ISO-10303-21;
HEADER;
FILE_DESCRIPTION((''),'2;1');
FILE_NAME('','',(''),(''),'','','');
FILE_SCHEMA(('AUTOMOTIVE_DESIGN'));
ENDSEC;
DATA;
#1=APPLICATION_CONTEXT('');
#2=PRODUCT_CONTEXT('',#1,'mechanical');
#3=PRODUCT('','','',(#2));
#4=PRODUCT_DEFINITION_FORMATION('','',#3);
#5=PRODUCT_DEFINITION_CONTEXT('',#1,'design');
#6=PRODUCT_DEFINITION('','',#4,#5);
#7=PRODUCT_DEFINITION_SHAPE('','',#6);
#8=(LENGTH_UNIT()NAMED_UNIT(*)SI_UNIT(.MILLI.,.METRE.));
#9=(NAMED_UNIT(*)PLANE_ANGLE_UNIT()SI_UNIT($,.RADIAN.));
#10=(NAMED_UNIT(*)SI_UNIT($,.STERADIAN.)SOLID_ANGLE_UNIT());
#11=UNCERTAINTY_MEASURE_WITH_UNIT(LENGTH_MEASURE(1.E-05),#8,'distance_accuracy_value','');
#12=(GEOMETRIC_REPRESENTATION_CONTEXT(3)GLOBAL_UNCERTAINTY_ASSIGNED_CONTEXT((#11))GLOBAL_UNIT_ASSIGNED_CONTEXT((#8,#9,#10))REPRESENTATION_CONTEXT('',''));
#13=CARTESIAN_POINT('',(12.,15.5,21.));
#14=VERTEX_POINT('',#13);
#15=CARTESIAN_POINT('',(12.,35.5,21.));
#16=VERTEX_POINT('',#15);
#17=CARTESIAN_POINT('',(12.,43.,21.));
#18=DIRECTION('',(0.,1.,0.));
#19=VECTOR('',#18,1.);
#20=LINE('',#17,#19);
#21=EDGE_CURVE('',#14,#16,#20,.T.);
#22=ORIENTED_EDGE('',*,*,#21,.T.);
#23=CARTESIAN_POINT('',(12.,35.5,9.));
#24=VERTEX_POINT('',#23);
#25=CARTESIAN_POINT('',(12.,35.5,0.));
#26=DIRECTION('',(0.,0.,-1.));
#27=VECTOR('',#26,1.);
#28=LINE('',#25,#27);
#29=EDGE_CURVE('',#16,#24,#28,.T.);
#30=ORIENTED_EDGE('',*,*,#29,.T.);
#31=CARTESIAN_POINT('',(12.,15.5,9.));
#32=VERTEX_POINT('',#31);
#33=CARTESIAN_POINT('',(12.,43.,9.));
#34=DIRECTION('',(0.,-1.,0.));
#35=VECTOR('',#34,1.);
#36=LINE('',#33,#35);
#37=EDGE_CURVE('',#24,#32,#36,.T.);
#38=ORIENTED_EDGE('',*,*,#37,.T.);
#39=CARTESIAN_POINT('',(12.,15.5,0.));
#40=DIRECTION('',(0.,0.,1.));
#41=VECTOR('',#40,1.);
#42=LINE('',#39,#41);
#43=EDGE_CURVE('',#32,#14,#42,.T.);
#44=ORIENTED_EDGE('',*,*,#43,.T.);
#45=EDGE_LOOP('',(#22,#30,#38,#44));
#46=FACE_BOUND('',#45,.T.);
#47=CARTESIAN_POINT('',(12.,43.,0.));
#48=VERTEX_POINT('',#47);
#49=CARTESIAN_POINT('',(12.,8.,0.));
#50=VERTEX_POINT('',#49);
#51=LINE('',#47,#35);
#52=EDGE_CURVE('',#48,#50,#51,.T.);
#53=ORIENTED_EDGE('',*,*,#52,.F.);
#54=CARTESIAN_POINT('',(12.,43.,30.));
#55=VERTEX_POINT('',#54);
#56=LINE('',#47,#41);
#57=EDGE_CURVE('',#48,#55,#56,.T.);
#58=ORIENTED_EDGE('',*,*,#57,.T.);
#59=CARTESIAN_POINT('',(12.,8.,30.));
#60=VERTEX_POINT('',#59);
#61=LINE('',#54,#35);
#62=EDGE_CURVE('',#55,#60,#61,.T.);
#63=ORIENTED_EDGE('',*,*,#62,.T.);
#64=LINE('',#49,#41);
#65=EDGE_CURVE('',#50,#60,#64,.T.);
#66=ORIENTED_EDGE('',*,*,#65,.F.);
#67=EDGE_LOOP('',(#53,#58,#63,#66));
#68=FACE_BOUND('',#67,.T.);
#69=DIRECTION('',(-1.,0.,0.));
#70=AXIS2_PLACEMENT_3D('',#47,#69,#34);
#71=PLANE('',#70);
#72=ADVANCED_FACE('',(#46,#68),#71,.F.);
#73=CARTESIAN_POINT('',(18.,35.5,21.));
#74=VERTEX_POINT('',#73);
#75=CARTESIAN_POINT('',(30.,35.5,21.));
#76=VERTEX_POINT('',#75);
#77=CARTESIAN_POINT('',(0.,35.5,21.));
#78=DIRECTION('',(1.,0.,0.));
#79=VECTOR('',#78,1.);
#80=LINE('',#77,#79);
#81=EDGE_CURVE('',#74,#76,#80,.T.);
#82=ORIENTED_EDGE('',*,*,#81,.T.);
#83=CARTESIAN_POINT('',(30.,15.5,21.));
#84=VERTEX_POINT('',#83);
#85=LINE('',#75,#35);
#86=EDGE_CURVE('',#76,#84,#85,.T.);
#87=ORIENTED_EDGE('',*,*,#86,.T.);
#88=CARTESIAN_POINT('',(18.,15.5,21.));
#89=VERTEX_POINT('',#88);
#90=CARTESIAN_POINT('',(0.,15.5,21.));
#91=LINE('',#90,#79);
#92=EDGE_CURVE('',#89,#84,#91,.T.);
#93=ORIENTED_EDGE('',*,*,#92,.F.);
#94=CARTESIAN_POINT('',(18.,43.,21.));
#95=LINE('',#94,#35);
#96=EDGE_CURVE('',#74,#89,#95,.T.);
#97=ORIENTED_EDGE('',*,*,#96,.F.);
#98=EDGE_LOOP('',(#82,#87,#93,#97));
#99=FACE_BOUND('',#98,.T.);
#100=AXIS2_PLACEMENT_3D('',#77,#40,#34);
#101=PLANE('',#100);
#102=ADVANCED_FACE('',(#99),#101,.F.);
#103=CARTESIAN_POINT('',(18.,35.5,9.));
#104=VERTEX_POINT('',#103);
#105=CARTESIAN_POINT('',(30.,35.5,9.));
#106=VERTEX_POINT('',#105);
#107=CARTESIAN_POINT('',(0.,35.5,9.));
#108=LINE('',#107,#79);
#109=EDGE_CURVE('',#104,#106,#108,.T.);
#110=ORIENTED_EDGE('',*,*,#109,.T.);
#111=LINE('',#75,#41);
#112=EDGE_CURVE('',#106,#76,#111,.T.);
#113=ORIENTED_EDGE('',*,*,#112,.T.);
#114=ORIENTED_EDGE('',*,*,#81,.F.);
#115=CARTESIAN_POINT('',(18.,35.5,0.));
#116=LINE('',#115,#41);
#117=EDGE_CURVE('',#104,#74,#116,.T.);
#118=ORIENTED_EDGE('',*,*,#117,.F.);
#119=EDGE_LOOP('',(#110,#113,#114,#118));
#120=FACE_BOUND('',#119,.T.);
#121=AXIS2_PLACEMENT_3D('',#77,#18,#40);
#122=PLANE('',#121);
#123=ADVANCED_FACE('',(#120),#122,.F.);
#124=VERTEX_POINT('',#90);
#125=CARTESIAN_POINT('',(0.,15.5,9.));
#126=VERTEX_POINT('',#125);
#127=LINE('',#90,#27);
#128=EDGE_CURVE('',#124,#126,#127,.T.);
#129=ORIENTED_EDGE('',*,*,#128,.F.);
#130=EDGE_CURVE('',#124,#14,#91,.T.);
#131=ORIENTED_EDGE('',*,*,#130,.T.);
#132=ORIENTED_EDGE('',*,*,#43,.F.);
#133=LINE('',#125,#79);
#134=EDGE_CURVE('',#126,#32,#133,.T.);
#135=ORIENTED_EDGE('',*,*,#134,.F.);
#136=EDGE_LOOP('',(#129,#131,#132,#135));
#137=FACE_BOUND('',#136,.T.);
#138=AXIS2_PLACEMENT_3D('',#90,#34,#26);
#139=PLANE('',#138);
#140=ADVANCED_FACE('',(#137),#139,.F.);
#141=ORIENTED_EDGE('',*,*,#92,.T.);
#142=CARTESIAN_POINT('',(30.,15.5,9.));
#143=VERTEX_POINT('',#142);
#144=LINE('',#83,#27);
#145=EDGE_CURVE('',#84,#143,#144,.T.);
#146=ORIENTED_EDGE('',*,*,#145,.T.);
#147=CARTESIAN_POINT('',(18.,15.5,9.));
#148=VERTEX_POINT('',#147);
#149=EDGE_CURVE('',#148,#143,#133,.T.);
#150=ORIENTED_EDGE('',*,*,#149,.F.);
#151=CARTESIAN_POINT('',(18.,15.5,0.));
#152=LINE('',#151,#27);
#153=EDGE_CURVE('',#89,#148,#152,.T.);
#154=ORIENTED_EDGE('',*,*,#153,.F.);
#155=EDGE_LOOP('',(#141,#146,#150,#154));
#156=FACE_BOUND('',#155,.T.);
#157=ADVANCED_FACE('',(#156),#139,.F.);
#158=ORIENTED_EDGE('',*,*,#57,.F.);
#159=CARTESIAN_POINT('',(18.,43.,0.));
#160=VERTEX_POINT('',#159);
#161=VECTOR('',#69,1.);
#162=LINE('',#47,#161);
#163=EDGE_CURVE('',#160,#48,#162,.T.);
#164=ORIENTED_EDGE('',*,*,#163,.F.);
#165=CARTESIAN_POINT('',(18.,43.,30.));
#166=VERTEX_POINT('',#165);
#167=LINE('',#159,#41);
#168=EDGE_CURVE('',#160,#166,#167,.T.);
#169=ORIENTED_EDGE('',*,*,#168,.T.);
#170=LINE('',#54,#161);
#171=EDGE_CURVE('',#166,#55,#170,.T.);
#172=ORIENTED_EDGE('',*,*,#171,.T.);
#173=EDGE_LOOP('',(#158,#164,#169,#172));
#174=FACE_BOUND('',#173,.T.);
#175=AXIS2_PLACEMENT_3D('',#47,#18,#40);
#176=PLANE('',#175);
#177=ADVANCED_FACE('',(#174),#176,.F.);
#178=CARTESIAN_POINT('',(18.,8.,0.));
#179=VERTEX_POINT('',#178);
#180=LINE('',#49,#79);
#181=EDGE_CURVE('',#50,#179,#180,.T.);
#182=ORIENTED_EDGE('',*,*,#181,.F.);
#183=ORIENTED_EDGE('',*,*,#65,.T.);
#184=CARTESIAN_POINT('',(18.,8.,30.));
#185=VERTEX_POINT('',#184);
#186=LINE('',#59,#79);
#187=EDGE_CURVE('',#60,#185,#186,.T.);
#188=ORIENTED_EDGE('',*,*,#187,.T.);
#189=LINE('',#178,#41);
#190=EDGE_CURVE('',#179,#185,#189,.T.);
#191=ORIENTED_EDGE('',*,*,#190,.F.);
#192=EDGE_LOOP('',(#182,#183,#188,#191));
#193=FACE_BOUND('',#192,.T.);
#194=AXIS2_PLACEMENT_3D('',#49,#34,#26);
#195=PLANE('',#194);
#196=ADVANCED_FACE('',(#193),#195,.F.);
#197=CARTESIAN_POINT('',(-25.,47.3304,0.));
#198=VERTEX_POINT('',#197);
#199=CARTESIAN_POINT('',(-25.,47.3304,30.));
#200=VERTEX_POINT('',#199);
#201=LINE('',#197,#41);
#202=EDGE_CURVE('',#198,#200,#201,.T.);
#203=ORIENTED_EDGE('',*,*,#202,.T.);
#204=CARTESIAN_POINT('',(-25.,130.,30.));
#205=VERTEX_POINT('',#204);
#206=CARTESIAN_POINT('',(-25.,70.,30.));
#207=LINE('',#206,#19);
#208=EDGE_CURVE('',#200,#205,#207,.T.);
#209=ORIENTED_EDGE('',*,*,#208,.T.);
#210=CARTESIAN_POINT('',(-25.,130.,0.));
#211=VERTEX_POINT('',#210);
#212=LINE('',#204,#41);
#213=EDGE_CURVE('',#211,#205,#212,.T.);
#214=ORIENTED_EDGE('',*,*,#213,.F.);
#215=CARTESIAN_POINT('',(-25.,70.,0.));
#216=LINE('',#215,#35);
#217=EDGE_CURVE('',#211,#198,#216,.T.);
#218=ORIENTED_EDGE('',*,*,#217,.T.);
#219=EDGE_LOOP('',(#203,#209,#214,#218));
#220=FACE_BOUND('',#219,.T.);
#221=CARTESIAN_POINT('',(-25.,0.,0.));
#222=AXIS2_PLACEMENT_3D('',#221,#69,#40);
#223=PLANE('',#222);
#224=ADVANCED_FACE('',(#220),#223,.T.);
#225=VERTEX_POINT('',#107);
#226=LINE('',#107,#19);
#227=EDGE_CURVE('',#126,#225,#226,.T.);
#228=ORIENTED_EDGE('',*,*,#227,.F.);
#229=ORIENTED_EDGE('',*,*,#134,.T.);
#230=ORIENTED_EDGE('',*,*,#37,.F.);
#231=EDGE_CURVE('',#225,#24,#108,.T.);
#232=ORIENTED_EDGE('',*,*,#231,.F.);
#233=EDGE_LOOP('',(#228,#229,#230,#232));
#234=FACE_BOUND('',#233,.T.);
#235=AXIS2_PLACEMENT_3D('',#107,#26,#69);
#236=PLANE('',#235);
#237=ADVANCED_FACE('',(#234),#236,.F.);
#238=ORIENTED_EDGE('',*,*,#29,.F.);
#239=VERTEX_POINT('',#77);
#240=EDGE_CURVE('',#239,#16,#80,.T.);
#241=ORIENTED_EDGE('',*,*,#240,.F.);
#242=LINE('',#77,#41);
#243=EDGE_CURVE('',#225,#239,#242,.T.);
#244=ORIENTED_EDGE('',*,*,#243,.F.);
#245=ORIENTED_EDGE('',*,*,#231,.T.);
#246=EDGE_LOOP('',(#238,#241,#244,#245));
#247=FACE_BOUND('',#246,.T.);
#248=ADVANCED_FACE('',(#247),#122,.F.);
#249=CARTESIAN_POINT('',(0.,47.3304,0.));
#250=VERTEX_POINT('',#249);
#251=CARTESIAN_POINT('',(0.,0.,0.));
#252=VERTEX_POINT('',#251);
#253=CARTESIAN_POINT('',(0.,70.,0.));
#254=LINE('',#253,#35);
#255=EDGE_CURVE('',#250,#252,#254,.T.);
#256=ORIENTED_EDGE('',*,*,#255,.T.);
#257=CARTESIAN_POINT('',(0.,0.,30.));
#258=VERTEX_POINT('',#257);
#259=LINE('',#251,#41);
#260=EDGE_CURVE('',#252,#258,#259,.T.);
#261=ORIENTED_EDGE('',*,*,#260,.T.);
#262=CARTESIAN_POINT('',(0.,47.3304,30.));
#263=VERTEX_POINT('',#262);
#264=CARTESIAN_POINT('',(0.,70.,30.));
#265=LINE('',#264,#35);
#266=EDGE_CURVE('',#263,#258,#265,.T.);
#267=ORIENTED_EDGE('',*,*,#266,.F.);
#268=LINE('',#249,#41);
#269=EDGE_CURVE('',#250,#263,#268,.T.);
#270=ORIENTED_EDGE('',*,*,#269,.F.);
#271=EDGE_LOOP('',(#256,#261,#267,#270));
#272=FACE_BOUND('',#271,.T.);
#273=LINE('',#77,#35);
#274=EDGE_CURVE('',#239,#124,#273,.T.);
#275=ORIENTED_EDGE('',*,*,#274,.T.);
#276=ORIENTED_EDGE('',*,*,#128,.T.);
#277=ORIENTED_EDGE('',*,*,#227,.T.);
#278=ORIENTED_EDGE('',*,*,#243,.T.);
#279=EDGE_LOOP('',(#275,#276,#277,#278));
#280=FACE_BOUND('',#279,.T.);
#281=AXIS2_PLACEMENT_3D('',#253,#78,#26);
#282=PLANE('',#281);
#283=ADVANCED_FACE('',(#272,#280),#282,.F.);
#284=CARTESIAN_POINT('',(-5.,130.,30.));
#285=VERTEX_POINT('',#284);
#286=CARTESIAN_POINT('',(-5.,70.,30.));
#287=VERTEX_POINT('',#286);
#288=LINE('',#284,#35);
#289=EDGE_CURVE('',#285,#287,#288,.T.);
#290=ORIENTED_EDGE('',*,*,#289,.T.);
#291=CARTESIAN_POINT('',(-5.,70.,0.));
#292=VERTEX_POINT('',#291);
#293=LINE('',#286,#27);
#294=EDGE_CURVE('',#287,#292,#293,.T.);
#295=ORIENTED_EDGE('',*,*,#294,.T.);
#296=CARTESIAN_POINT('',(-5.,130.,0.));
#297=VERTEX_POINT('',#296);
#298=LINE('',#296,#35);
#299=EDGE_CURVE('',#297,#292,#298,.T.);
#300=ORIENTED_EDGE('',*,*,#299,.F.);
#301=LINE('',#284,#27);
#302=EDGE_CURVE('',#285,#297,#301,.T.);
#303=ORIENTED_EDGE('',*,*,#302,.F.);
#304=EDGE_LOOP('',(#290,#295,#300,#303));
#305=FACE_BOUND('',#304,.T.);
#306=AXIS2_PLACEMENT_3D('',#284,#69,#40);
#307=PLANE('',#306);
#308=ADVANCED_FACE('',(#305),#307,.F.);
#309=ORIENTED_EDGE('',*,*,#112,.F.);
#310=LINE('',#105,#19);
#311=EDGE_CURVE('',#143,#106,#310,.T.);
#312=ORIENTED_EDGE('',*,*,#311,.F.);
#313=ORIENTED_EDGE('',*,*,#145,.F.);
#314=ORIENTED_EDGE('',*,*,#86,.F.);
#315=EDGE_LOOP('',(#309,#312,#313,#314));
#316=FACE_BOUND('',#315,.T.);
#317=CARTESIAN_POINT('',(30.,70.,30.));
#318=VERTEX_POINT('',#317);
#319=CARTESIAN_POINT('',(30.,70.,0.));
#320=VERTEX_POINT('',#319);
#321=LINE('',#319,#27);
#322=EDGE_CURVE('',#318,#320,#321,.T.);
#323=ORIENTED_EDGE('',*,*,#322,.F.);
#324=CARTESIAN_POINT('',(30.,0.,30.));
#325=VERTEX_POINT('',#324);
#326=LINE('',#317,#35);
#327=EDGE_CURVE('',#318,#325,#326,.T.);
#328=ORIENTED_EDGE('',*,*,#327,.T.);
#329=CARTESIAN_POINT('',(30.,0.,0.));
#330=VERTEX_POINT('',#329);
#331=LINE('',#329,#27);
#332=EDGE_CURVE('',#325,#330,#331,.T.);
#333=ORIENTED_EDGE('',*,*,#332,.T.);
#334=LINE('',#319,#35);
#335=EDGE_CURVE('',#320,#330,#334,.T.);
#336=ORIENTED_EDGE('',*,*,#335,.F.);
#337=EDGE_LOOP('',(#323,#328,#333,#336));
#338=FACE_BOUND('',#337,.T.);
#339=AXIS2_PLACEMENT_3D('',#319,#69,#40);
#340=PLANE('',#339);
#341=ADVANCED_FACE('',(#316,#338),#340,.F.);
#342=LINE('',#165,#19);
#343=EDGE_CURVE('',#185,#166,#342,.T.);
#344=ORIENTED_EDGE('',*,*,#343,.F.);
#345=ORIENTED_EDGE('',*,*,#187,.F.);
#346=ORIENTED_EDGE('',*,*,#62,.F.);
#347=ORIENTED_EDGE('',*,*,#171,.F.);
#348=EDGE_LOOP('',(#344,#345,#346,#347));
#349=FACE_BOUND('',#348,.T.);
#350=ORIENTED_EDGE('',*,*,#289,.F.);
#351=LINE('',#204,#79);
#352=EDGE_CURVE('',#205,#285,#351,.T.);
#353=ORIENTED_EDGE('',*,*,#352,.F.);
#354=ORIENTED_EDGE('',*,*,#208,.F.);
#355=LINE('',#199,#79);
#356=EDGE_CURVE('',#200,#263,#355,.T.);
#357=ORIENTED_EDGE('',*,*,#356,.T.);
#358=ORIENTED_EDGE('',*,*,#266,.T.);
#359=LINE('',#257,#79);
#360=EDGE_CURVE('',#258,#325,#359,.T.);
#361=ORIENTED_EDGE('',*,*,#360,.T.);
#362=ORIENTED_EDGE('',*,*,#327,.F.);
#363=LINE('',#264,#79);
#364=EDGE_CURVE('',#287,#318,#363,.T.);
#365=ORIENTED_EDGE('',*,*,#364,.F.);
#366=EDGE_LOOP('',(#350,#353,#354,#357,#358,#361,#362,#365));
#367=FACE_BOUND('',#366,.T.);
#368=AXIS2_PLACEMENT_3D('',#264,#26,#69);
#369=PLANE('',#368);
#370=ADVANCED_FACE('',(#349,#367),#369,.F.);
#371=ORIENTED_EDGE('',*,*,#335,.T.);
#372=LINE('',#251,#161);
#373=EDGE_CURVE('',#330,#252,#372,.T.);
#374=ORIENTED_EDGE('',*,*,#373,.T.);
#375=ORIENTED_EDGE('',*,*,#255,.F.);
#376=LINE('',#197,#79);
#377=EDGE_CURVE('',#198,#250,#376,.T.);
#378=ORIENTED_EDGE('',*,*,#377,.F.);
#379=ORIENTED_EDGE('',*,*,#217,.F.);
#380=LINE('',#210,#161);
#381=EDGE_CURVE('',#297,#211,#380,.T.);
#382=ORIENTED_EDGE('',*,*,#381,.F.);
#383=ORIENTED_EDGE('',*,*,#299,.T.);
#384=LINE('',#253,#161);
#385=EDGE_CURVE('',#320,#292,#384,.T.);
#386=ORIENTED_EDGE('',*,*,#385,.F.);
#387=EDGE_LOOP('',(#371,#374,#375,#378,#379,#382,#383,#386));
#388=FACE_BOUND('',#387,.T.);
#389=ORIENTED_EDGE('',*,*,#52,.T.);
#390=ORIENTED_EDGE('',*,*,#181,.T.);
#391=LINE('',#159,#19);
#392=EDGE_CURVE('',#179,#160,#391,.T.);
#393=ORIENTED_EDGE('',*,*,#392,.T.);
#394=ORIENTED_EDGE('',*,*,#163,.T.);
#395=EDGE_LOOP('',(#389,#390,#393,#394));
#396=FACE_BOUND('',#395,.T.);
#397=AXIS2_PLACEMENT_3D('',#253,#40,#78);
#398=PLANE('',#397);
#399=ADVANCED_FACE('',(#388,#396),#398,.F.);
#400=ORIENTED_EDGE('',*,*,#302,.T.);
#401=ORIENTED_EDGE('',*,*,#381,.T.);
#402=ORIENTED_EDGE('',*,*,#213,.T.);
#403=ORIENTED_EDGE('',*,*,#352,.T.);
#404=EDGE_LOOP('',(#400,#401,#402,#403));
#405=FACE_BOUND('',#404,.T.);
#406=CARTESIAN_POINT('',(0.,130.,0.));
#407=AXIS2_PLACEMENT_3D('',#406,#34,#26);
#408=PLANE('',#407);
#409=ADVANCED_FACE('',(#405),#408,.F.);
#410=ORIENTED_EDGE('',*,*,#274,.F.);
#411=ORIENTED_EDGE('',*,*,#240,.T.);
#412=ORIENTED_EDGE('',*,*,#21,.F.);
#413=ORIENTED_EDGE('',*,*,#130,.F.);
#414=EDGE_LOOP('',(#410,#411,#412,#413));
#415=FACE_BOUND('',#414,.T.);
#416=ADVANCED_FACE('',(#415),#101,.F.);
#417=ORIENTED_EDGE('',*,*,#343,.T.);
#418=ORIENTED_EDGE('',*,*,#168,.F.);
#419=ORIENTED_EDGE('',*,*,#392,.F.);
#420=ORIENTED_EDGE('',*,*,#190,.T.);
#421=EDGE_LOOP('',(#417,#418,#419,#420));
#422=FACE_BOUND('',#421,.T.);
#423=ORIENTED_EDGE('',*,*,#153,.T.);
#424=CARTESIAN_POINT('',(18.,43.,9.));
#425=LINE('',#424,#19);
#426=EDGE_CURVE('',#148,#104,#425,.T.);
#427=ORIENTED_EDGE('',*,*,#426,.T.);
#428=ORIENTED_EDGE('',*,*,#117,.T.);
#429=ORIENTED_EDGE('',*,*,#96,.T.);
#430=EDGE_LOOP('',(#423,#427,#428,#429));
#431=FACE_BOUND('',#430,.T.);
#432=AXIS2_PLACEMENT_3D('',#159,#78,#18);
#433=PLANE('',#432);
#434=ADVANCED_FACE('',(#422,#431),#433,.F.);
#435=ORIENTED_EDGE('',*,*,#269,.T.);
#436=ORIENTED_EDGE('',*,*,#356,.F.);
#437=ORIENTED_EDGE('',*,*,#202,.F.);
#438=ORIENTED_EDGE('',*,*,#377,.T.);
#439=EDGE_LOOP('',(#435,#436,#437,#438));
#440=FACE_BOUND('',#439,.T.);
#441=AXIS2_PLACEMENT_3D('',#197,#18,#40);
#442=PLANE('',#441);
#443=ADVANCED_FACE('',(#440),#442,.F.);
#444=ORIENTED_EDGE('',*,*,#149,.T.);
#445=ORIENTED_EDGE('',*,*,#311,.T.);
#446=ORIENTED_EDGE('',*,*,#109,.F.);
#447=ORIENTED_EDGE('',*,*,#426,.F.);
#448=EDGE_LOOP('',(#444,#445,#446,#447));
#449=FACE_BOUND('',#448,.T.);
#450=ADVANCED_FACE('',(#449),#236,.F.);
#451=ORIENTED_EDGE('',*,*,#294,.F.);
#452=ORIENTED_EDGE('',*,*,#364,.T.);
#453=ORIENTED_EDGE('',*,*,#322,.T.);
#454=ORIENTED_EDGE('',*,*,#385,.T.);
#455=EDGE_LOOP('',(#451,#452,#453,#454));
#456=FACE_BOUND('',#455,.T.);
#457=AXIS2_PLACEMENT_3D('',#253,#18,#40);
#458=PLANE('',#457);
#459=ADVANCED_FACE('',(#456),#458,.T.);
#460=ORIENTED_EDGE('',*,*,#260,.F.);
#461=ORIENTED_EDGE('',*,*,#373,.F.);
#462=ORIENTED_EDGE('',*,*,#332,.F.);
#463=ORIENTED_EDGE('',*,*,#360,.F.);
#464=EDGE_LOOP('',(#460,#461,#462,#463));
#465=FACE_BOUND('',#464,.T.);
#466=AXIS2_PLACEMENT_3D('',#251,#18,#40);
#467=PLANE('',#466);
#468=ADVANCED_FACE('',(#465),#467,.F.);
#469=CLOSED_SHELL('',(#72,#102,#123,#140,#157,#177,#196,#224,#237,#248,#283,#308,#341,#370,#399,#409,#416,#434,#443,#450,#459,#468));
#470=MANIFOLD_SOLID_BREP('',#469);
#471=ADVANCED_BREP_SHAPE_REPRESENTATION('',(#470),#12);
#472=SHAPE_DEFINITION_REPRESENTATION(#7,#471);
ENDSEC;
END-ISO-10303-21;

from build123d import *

# Parameters (mm, degrees)
SKETCH1_W           = 30
SKETCH1_H           = 30
BOSS_EXTRUDE1_DEPTH = 70
SKETCH2_W           = 6
SKETCH2_H           = 35
CUT_EXTRUDE1_DEPTH  = 82.853527719
SKETCH3_W           = 12
SKETCH3_H           = 20
CUT_EXTRUDE2_DEPTH  = 82.853527719
SKETCH4_W           = 30
SKETCH4_H           = 22.669600449
BOSS_EXTRUDE2_DEPTH = 25
SKETCH5_W           = 20
SKETCH5_H           = 30
BOSS_EXTRUDE3_DEPTH = 60


with BuildPart() as part:
    # Sketch1 → Boss-Extrude1 (new body)
    with BuildSketch(Plane(origin=(0, 0, 0), x_dir=(1, 0, 0), z_dir=(0, 1, 0))):
        with Locations((15, -15)):
            Rectangle(SKETCH1_W, SKETCH1_H)
    extrude(amount=BOSS_EXTRUDE1_DEPTH)

    # Sketch2 → Cut-Extrude1 (cut, through all)
    with BuildSketch(Plane.XY.offset(30)):
        with Locations((15, 25.5)):
            Rectangle(SKETCH2_W, SKETCH2_H)
    extrude(amount=-CUT_EXTRUDE1_DEPTH, mode=Mode.SUBTRACT)

    # Sketch3 → Cut-Extrude2 (cut, through all)
    with BuildSketch(Plane(origin=(30, 0, 0), x_dir=(0, 0, -1), z_dir=(1, 0, 0))):
        with Locations((-15, 25.5)):
            Rectangle(SKETCH3_W, SKETCH3_H)
    extrude(amount=-CUT_EXTRUDE2_DEPTH, mode=Mode.SUBTRACT)

    # Sketch4 → Boss-Extrude2 (add)
    with BuildSketch(Plane.ZY):
        with Locations((15, 58.665199775)):
            Rectangle(SKETCH4_W, SKETCH4_H)
    extrude(amount=BOSS_EXTRUDE2_DEPTH)

    # Sketch5 → Boss-Extrude3 (add)
    with BuildSketch(Plane(origin=(0, 70, 0), x_dir=(1, 0, 0), z_dir=(0, 1, 0))):
        with Locations((-15, -15)):
            Rectangle(SKETCH5_W, SKETCH5_H)
    extrude(amount=BOSS_EXTRUDE3_DEPTH)


solid = part.part
